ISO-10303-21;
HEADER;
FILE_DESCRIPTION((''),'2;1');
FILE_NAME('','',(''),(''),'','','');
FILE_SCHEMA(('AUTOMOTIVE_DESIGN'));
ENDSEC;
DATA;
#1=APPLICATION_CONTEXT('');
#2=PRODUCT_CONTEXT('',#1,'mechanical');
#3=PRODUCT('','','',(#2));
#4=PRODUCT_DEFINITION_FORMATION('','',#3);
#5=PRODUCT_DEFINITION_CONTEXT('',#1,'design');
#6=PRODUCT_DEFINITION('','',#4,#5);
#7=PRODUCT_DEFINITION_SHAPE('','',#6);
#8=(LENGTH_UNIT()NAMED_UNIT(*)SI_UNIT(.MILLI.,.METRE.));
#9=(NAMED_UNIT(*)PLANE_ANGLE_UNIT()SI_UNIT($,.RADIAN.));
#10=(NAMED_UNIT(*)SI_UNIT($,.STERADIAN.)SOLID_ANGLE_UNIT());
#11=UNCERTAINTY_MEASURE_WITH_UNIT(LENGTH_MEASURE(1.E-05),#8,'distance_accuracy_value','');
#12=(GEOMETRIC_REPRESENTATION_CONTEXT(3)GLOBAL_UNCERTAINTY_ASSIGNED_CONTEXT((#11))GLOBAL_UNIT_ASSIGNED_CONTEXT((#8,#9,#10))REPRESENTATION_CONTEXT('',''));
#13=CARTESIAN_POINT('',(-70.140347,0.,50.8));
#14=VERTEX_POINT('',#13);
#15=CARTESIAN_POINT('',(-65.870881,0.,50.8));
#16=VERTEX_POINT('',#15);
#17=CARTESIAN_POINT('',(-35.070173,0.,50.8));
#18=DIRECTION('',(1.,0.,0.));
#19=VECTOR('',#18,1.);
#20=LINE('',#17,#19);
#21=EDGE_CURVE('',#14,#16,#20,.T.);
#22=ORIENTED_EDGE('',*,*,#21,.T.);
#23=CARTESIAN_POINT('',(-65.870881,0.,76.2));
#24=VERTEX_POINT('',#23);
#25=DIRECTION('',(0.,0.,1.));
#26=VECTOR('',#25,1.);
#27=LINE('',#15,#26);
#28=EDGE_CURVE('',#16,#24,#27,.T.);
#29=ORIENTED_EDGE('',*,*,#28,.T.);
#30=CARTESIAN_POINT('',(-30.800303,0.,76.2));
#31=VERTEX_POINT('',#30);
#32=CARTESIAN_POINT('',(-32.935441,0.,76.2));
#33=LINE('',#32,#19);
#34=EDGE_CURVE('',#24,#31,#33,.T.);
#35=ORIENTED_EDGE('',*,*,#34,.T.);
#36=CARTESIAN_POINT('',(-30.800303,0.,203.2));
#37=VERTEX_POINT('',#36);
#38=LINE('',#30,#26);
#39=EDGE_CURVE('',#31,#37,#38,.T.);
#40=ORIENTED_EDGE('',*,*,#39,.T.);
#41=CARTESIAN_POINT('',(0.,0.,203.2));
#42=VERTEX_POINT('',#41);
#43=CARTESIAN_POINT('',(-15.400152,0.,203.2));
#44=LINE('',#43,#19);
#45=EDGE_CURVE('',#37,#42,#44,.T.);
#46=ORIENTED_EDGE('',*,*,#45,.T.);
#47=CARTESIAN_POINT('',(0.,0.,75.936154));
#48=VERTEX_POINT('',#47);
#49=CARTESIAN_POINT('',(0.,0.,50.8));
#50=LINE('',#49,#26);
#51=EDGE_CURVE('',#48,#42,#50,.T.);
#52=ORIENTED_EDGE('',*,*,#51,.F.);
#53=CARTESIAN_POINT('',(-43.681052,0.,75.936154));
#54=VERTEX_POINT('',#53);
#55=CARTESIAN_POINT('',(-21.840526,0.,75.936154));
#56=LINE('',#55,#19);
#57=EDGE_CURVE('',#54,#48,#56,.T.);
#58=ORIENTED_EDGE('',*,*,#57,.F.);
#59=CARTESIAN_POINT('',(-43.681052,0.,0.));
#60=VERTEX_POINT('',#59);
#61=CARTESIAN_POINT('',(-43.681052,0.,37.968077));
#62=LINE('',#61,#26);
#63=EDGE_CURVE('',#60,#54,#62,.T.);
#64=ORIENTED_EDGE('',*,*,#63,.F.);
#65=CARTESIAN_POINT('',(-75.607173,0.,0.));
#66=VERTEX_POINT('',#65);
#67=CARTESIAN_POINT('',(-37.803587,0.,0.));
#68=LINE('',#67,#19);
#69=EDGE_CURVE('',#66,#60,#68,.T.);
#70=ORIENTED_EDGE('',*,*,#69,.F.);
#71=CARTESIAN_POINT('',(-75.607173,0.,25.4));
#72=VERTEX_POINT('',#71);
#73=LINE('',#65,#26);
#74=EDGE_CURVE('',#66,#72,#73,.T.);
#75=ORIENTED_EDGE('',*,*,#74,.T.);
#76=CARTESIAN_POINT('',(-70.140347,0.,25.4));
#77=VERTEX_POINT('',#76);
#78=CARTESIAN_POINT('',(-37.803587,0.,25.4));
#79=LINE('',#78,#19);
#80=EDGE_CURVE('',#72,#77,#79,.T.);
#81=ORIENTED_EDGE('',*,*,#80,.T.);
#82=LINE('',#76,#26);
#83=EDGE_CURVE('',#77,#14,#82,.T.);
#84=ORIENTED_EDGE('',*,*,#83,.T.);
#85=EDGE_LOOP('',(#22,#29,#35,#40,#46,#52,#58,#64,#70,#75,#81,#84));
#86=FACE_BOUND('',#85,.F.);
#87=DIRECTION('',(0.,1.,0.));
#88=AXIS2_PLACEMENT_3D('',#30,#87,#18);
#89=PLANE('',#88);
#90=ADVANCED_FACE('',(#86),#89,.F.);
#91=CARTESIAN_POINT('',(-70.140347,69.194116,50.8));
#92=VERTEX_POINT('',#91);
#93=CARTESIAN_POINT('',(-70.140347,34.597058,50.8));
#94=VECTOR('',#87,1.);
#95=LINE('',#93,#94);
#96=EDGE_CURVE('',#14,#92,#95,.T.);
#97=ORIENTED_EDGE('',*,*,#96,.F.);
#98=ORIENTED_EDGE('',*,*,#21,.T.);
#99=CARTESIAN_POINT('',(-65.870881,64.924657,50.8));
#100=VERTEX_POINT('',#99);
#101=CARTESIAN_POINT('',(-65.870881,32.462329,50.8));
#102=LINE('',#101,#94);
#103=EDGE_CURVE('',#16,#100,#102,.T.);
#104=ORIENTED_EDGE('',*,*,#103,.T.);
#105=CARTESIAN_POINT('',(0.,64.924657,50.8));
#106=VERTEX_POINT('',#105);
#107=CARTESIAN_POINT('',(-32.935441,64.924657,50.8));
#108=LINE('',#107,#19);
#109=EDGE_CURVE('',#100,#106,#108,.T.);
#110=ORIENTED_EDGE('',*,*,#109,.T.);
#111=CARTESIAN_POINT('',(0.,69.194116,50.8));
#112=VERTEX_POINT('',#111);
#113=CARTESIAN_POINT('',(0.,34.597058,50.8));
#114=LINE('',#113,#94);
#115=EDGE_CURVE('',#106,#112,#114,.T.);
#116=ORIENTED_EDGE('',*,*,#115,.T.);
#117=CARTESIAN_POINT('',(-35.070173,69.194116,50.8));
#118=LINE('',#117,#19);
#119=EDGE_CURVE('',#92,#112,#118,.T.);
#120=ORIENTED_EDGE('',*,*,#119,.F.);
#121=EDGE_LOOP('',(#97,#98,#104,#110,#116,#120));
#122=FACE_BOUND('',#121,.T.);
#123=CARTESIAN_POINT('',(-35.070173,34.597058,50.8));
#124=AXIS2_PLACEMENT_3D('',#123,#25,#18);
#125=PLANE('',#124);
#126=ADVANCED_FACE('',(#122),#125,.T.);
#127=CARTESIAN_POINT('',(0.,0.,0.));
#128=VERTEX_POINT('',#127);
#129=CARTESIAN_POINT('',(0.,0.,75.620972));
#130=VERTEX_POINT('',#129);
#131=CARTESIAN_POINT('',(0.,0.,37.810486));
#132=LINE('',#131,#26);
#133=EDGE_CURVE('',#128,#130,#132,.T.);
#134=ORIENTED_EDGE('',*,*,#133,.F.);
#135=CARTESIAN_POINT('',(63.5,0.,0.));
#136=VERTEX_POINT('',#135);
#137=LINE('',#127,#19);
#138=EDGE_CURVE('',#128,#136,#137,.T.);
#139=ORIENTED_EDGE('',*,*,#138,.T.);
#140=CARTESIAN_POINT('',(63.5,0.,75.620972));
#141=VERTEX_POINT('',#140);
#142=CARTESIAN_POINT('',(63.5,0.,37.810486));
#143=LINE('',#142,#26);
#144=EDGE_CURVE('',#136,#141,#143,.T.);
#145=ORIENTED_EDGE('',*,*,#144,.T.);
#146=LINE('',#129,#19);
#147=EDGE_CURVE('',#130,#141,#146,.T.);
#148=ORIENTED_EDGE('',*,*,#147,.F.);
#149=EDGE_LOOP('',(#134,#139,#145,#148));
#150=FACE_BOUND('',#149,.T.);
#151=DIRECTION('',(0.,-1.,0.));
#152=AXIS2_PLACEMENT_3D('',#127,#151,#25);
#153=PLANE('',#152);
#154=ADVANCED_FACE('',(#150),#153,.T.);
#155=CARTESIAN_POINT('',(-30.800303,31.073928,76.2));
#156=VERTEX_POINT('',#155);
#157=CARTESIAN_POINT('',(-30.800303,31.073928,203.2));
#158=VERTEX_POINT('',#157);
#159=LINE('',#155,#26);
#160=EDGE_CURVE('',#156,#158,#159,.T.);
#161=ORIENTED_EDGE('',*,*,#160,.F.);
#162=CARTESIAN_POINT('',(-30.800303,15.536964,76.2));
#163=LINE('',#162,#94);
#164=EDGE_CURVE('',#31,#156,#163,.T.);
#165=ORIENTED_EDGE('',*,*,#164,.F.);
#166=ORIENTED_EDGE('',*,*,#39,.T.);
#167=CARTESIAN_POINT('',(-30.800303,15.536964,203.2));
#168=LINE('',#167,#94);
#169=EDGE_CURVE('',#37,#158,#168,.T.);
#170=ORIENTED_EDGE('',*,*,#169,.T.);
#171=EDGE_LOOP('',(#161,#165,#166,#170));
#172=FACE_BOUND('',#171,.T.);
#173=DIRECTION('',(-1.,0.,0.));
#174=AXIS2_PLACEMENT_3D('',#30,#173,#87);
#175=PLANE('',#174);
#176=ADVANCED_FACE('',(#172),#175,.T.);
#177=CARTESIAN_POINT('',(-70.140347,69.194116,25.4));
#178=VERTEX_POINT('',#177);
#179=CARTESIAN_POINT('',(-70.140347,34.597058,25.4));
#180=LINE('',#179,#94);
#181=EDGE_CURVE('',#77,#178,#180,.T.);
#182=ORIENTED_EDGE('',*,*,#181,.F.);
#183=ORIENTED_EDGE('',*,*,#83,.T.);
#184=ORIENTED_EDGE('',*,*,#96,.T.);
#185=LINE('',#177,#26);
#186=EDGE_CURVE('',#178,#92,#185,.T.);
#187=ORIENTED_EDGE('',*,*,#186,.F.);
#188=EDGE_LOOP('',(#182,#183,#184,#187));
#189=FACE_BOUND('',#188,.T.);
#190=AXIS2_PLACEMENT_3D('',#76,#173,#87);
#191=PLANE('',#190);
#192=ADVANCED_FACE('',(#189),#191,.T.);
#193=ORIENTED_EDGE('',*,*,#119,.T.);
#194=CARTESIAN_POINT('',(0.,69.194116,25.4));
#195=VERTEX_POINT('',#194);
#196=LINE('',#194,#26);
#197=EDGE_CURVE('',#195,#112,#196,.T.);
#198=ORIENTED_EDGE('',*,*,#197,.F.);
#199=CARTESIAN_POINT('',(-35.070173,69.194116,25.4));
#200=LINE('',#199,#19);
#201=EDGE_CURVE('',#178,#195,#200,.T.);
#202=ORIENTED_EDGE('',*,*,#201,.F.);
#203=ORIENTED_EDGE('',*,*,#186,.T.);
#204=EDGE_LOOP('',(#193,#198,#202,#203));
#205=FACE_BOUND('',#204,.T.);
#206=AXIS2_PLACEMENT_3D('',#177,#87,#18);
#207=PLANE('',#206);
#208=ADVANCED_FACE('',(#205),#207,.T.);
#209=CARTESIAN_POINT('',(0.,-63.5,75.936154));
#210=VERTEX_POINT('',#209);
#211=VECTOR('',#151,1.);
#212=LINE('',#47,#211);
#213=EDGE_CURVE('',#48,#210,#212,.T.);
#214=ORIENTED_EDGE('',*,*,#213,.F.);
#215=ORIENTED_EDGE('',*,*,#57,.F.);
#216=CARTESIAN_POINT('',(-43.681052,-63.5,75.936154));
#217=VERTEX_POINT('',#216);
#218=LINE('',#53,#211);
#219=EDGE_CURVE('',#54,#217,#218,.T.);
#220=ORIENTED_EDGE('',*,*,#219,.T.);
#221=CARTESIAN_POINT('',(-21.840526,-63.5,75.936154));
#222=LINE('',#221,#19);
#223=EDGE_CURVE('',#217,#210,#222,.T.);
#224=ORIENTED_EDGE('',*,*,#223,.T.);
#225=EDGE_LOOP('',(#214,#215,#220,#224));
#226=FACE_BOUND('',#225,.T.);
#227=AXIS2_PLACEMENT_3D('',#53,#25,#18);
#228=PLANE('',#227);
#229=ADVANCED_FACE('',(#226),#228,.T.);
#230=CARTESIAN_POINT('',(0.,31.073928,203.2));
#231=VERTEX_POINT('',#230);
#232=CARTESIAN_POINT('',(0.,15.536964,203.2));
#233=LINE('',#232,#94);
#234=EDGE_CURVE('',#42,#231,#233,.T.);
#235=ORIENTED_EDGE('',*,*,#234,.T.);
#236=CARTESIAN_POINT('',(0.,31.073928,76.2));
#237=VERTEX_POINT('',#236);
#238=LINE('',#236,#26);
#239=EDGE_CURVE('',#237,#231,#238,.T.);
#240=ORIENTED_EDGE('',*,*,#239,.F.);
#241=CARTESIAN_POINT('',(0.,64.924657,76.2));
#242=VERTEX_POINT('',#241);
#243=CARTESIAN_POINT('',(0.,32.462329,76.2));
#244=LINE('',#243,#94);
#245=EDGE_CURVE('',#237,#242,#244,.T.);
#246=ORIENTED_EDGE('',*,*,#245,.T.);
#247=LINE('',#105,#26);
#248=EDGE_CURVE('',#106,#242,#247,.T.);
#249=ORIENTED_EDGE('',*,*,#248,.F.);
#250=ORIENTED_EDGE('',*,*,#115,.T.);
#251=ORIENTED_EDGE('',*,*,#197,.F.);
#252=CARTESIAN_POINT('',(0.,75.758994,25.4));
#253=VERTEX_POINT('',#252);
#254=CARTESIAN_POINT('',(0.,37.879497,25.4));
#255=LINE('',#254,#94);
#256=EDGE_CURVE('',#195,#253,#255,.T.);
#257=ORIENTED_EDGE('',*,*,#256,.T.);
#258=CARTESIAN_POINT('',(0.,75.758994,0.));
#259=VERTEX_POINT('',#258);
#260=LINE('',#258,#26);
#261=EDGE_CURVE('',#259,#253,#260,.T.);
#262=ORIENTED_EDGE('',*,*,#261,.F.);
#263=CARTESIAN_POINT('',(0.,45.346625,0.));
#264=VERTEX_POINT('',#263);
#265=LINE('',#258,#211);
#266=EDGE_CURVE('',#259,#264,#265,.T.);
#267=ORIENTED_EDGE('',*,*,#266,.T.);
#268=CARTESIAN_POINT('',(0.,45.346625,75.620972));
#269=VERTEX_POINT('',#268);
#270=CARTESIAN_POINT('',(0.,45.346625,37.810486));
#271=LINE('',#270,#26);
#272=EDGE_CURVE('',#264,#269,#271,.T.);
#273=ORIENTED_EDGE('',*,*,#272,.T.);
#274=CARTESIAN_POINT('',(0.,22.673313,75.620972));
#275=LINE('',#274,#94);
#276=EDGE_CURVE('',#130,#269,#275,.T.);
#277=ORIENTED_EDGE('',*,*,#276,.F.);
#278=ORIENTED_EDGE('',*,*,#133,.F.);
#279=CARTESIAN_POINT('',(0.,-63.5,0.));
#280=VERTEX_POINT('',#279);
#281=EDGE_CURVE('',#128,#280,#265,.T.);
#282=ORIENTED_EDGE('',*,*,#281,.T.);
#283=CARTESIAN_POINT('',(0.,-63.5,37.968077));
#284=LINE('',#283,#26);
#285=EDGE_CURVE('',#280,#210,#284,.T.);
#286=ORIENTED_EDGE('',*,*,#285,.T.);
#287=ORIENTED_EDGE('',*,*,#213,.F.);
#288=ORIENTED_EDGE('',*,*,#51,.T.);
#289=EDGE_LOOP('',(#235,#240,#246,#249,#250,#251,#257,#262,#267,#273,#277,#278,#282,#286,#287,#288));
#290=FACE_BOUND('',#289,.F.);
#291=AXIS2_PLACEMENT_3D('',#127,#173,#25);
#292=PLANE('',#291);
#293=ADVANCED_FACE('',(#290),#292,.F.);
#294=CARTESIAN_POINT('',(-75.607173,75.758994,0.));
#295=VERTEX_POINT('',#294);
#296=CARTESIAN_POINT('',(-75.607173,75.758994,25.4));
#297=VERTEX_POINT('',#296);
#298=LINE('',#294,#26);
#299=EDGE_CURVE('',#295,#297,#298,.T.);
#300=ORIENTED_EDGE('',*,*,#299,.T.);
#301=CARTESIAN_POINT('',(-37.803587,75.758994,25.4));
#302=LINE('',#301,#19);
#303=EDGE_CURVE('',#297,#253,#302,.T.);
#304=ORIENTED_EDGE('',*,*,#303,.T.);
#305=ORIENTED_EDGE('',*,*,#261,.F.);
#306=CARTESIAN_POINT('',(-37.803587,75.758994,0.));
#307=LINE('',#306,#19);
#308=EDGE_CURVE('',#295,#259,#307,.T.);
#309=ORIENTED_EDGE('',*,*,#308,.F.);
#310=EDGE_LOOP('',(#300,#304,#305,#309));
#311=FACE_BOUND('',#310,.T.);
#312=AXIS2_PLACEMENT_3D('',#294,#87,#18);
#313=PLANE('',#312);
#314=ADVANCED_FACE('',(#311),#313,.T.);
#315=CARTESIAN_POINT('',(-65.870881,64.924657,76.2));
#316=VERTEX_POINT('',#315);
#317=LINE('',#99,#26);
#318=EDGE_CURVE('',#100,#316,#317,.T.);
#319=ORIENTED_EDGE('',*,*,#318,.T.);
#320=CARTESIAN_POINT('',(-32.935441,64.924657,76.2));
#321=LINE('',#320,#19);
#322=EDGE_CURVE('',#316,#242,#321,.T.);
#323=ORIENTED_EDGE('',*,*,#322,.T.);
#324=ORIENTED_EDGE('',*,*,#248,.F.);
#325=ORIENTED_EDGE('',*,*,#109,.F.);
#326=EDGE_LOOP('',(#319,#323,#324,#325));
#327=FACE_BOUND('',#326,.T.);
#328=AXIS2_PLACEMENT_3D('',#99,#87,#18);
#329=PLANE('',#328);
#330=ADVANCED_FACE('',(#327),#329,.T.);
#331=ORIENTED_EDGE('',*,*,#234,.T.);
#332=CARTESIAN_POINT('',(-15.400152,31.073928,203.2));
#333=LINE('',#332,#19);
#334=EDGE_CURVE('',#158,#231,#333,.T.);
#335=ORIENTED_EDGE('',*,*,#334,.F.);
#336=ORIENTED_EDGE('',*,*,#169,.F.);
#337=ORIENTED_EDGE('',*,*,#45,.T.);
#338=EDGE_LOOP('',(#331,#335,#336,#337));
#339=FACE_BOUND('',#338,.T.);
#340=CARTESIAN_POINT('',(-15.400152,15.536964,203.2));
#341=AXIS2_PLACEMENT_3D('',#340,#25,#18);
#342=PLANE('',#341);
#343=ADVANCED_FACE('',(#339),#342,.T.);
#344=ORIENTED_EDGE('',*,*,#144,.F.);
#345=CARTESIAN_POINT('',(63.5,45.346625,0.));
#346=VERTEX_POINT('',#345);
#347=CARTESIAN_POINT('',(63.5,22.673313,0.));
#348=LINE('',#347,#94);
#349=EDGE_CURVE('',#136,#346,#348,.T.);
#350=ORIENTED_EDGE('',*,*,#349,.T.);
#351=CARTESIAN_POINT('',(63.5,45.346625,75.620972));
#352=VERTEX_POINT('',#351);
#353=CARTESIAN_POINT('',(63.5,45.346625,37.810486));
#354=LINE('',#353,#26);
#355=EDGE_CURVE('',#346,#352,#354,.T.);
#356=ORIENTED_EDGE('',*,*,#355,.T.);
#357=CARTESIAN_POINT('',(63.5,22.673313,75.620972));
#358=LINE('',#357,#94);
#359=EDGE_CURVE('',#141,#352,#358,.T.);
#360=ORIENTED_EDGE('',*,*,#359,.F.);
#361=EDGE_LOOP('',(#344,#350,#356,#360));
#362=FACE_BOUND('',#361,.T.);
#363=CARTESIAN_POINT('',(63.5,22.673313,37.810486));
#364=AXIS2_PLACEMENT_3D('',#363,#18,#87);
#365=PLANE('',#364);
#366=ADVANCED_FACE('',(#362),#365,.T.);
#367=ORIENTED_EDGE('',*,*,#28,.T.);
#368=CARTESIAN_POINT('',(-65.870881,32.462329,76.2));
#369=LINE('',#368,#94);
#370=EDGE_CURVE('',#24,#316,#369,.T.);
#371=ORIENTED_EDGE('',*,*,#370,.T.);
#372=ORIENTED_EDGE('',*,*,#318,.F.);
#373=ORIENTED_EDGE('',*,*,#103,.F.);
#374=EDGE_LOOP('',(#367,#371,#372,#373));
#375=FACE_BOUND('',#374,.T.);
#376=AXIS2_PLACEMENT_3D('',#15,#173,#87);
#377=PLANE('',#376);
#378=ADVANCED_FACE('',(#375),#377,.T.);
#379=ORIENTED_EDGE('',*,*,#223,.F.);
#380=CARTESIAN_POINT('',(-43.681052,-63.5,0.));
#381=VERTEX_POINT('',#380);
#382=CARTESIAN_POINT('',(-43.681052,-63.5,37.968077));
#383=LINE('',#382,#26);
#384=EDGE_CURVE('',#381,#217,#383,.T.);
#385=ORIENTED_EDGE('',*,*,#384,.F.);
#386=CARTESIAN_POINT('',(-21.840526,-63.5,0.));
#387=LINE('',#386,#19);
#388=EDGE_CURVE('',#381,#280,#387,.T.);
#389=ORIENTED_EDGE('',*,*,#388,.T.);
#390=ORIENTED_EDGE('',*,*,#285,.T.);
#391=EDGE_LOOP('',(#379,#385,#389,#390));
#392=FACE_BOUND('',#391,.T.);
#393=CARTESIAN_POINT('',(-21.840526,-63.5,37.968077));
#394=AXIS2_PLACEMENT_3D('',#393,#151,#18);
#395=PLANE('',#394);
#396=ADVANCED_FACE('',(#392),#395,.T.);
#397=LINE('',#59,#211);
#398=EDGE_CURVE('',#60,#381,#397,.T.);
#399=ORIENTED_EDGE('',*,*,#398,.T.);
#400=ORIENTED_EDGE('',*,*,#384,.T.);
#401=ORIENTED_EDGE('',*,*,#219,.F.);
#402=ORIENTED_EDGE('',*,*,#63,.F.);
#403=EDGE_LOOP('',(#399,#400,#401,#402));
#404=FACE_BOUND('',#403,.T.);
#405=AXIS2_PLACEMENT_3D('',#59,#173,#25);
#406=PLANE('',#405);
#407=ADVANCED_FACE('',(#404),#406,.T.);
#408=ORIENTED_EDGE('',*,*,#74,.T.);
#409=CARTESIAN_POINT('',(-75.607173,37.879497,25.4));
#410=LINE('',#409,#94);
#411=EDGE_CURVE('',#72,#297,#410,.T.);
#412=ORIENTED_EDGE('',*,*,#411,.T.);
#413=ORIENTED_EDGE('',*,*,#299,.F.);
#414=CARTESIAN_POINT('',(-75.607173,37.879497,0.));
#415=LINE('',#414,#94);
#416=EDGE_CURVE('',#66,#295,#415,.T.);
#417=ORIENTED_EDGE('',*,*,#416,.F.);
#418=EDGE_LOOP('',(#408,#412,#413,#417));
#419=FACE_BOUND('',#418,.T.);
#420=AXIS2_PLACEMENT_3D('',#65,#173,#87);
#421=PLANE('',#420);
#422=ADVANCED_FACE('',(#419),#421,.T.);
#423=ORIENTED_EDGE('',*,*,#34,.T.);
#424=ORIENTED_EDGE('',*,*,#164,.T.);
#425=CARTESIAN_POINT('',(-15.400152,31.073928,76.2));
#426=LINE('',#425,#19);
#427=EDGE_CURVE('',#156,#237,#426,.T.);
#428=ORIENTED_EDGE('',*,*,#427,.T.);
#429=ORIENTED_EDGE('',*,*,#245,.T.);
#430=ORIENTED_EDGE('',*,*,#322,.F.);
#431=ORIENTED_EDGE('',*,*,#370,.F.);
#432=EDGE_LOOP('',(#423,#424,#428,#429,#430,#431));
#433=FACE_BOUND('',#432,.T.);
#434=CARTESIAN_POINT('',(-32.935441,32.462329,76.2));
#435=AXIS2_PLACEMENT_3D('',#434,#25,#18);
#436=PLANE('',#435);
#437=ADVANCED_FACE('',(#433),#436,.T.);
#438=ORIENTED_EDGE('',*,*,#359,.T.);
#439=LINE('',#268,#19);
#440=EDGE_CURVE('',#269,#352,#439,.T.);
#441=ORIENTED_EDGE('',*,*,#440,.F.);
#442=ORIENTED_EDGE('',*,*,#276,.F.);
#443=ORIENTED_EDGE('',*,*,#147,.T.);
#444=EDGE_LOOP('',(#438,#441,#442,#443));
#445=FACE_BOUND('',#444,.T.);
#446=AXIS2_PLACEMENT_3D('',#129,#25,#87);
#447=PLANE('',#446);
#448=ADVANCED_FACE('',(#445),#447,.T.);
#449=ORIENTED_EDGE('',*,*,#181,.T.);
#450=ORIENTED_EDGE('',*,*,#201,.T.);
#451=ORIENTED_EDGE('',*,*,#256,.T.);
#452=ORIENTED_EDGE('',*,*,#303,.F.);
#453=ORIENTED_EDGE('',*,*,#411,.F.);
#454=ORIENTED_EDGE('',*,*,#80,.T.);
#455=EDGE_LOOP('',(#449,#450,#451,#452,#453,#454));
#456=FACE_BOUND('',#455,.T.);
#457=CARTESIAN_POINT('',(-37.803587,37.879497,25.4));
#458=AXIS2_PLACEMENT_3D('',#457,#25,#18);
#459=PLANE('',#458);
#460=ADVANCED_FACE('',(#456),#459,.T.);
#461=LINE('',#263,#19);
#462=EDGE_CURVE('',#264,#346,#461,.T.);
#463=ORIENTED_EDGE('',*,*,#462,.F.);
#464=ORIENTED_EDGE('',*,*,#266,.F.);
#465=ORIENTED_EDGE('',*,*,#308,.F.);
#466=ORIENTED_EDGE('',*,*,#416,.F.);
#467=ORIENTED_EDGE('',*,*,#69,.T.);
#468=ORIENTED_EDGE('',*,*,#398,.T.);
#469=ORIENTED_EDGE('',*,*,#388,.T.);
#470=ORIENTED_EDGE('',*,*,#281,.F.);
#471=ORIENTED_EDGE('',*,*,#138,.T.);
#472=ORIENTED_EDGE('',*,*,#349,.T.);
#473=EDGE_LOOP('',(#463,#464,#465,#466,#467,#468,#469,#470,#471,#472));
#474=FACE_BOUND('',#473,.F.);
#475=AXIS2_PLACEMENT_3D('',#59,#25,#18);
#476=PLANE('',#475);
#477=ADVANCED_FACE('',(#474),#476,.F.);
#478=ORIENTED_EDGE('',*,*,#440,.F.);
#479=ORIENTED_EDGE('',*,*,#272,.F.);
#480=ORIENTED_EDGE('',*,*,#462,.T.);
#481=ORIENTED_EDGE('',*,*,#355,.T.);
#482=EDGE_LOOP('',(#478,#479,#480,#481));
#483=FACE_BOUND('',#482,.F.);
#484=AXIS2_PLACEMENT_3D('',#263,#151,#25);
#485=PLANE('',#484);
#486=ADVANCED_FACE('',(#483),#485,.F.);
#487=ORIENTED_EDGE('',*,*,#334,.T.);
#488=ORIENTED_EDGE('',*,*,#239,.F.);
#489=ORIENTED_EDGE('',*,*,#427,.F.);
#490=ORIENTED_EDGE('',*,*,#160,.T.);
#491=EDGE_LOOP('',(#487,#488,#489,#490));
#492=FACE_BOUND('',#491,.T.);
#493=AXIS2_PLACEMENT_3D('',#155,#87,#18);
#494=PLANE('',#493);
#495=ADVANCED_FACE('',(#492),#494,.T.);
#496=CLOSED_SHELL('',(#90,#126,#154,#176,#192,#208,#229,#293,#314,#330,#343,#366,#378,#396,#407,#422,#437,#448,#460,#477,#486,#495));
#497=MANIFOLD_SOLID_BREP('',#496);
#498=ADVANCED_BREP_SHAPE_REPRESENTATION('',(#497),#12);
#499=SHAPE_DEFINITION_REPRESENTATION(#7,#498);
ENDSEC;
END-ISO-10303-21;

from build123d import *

# Parameters (mm, degrees)
F0_W      = 75.6071731448
F0_H      = 75.7589936256
F1_DEPTH  = 25.4
F2_W      = 70.1403468847
F2_H      = 69.1941156983
F3_DEPTH  = 25.4
F4_W      = 65.8708810806
F4_H      = 64.9246573448
F5_DEPTH  = 25.4
F6_W      = 30.8003034443
F6_H      = 31.0739278793
F7_DEPTH  = 127
F8_W      = 43.6810515821
F8_H      = 75.9361535311
F9_DEPTH  = 63.5
F10_W     = 45.3466251493
F10_H     = 75.6209716201
F11_DEPTH = 63.5


with BuildPart() as f1:
    # F0 (on Top) → F1 (new body)
    with BuildSketch(Plane.XY):
        with Locations((-37.8035865724, 37.8794968128)):
            Rectangle(F0_W, F0_H)
    extrude(amount=F1_DEPTH)

    # F2 (on face) → F3 (join)
    with BuildSketch(Plane.XY.offset(25.4)):
        with Locations((-35.0701734424, 34.5970578492)):
            Rectangle(F2_W, F2_H)
    extrude(amount=F3_DEPTH)

    # F4 (on face) → F5 (join)
    with BuildSketch(Plane.XY.offset(50.8)):
        with Locations((-32.9354405403, 32.4623286724)):
            Rectangle(F4_W, F4_H)
    extrude(amount=F5_DEPTH)

    # F6 (on face) → F7 (join)
    with BuildSketch(Plane.XY.offset(76.2)):
        with Locations((-15.4001517221, 15.5369639397)):
            Rectangle(F6_W, F6_H)
    extrude(amount=F7_DEPTH)

    # F8 (on Front) → F9 (join)
    with BuildSketch(Plane.XZ):
        with Locations((-21.840525791, 37.9680767655)):
            Rectangle(F8_W, F8_H)
    extrude(amount=F9_DEPTH)

    # F10 (on Right) → F11 (join)
    with BuildSketch(Plane.YZ):
        with Locations((22.6733125746, 37.81048581)):
            Rectangle(F10_W, F10_H)
    extrude(amount=F11_DEPTH)


solid = f1.part
